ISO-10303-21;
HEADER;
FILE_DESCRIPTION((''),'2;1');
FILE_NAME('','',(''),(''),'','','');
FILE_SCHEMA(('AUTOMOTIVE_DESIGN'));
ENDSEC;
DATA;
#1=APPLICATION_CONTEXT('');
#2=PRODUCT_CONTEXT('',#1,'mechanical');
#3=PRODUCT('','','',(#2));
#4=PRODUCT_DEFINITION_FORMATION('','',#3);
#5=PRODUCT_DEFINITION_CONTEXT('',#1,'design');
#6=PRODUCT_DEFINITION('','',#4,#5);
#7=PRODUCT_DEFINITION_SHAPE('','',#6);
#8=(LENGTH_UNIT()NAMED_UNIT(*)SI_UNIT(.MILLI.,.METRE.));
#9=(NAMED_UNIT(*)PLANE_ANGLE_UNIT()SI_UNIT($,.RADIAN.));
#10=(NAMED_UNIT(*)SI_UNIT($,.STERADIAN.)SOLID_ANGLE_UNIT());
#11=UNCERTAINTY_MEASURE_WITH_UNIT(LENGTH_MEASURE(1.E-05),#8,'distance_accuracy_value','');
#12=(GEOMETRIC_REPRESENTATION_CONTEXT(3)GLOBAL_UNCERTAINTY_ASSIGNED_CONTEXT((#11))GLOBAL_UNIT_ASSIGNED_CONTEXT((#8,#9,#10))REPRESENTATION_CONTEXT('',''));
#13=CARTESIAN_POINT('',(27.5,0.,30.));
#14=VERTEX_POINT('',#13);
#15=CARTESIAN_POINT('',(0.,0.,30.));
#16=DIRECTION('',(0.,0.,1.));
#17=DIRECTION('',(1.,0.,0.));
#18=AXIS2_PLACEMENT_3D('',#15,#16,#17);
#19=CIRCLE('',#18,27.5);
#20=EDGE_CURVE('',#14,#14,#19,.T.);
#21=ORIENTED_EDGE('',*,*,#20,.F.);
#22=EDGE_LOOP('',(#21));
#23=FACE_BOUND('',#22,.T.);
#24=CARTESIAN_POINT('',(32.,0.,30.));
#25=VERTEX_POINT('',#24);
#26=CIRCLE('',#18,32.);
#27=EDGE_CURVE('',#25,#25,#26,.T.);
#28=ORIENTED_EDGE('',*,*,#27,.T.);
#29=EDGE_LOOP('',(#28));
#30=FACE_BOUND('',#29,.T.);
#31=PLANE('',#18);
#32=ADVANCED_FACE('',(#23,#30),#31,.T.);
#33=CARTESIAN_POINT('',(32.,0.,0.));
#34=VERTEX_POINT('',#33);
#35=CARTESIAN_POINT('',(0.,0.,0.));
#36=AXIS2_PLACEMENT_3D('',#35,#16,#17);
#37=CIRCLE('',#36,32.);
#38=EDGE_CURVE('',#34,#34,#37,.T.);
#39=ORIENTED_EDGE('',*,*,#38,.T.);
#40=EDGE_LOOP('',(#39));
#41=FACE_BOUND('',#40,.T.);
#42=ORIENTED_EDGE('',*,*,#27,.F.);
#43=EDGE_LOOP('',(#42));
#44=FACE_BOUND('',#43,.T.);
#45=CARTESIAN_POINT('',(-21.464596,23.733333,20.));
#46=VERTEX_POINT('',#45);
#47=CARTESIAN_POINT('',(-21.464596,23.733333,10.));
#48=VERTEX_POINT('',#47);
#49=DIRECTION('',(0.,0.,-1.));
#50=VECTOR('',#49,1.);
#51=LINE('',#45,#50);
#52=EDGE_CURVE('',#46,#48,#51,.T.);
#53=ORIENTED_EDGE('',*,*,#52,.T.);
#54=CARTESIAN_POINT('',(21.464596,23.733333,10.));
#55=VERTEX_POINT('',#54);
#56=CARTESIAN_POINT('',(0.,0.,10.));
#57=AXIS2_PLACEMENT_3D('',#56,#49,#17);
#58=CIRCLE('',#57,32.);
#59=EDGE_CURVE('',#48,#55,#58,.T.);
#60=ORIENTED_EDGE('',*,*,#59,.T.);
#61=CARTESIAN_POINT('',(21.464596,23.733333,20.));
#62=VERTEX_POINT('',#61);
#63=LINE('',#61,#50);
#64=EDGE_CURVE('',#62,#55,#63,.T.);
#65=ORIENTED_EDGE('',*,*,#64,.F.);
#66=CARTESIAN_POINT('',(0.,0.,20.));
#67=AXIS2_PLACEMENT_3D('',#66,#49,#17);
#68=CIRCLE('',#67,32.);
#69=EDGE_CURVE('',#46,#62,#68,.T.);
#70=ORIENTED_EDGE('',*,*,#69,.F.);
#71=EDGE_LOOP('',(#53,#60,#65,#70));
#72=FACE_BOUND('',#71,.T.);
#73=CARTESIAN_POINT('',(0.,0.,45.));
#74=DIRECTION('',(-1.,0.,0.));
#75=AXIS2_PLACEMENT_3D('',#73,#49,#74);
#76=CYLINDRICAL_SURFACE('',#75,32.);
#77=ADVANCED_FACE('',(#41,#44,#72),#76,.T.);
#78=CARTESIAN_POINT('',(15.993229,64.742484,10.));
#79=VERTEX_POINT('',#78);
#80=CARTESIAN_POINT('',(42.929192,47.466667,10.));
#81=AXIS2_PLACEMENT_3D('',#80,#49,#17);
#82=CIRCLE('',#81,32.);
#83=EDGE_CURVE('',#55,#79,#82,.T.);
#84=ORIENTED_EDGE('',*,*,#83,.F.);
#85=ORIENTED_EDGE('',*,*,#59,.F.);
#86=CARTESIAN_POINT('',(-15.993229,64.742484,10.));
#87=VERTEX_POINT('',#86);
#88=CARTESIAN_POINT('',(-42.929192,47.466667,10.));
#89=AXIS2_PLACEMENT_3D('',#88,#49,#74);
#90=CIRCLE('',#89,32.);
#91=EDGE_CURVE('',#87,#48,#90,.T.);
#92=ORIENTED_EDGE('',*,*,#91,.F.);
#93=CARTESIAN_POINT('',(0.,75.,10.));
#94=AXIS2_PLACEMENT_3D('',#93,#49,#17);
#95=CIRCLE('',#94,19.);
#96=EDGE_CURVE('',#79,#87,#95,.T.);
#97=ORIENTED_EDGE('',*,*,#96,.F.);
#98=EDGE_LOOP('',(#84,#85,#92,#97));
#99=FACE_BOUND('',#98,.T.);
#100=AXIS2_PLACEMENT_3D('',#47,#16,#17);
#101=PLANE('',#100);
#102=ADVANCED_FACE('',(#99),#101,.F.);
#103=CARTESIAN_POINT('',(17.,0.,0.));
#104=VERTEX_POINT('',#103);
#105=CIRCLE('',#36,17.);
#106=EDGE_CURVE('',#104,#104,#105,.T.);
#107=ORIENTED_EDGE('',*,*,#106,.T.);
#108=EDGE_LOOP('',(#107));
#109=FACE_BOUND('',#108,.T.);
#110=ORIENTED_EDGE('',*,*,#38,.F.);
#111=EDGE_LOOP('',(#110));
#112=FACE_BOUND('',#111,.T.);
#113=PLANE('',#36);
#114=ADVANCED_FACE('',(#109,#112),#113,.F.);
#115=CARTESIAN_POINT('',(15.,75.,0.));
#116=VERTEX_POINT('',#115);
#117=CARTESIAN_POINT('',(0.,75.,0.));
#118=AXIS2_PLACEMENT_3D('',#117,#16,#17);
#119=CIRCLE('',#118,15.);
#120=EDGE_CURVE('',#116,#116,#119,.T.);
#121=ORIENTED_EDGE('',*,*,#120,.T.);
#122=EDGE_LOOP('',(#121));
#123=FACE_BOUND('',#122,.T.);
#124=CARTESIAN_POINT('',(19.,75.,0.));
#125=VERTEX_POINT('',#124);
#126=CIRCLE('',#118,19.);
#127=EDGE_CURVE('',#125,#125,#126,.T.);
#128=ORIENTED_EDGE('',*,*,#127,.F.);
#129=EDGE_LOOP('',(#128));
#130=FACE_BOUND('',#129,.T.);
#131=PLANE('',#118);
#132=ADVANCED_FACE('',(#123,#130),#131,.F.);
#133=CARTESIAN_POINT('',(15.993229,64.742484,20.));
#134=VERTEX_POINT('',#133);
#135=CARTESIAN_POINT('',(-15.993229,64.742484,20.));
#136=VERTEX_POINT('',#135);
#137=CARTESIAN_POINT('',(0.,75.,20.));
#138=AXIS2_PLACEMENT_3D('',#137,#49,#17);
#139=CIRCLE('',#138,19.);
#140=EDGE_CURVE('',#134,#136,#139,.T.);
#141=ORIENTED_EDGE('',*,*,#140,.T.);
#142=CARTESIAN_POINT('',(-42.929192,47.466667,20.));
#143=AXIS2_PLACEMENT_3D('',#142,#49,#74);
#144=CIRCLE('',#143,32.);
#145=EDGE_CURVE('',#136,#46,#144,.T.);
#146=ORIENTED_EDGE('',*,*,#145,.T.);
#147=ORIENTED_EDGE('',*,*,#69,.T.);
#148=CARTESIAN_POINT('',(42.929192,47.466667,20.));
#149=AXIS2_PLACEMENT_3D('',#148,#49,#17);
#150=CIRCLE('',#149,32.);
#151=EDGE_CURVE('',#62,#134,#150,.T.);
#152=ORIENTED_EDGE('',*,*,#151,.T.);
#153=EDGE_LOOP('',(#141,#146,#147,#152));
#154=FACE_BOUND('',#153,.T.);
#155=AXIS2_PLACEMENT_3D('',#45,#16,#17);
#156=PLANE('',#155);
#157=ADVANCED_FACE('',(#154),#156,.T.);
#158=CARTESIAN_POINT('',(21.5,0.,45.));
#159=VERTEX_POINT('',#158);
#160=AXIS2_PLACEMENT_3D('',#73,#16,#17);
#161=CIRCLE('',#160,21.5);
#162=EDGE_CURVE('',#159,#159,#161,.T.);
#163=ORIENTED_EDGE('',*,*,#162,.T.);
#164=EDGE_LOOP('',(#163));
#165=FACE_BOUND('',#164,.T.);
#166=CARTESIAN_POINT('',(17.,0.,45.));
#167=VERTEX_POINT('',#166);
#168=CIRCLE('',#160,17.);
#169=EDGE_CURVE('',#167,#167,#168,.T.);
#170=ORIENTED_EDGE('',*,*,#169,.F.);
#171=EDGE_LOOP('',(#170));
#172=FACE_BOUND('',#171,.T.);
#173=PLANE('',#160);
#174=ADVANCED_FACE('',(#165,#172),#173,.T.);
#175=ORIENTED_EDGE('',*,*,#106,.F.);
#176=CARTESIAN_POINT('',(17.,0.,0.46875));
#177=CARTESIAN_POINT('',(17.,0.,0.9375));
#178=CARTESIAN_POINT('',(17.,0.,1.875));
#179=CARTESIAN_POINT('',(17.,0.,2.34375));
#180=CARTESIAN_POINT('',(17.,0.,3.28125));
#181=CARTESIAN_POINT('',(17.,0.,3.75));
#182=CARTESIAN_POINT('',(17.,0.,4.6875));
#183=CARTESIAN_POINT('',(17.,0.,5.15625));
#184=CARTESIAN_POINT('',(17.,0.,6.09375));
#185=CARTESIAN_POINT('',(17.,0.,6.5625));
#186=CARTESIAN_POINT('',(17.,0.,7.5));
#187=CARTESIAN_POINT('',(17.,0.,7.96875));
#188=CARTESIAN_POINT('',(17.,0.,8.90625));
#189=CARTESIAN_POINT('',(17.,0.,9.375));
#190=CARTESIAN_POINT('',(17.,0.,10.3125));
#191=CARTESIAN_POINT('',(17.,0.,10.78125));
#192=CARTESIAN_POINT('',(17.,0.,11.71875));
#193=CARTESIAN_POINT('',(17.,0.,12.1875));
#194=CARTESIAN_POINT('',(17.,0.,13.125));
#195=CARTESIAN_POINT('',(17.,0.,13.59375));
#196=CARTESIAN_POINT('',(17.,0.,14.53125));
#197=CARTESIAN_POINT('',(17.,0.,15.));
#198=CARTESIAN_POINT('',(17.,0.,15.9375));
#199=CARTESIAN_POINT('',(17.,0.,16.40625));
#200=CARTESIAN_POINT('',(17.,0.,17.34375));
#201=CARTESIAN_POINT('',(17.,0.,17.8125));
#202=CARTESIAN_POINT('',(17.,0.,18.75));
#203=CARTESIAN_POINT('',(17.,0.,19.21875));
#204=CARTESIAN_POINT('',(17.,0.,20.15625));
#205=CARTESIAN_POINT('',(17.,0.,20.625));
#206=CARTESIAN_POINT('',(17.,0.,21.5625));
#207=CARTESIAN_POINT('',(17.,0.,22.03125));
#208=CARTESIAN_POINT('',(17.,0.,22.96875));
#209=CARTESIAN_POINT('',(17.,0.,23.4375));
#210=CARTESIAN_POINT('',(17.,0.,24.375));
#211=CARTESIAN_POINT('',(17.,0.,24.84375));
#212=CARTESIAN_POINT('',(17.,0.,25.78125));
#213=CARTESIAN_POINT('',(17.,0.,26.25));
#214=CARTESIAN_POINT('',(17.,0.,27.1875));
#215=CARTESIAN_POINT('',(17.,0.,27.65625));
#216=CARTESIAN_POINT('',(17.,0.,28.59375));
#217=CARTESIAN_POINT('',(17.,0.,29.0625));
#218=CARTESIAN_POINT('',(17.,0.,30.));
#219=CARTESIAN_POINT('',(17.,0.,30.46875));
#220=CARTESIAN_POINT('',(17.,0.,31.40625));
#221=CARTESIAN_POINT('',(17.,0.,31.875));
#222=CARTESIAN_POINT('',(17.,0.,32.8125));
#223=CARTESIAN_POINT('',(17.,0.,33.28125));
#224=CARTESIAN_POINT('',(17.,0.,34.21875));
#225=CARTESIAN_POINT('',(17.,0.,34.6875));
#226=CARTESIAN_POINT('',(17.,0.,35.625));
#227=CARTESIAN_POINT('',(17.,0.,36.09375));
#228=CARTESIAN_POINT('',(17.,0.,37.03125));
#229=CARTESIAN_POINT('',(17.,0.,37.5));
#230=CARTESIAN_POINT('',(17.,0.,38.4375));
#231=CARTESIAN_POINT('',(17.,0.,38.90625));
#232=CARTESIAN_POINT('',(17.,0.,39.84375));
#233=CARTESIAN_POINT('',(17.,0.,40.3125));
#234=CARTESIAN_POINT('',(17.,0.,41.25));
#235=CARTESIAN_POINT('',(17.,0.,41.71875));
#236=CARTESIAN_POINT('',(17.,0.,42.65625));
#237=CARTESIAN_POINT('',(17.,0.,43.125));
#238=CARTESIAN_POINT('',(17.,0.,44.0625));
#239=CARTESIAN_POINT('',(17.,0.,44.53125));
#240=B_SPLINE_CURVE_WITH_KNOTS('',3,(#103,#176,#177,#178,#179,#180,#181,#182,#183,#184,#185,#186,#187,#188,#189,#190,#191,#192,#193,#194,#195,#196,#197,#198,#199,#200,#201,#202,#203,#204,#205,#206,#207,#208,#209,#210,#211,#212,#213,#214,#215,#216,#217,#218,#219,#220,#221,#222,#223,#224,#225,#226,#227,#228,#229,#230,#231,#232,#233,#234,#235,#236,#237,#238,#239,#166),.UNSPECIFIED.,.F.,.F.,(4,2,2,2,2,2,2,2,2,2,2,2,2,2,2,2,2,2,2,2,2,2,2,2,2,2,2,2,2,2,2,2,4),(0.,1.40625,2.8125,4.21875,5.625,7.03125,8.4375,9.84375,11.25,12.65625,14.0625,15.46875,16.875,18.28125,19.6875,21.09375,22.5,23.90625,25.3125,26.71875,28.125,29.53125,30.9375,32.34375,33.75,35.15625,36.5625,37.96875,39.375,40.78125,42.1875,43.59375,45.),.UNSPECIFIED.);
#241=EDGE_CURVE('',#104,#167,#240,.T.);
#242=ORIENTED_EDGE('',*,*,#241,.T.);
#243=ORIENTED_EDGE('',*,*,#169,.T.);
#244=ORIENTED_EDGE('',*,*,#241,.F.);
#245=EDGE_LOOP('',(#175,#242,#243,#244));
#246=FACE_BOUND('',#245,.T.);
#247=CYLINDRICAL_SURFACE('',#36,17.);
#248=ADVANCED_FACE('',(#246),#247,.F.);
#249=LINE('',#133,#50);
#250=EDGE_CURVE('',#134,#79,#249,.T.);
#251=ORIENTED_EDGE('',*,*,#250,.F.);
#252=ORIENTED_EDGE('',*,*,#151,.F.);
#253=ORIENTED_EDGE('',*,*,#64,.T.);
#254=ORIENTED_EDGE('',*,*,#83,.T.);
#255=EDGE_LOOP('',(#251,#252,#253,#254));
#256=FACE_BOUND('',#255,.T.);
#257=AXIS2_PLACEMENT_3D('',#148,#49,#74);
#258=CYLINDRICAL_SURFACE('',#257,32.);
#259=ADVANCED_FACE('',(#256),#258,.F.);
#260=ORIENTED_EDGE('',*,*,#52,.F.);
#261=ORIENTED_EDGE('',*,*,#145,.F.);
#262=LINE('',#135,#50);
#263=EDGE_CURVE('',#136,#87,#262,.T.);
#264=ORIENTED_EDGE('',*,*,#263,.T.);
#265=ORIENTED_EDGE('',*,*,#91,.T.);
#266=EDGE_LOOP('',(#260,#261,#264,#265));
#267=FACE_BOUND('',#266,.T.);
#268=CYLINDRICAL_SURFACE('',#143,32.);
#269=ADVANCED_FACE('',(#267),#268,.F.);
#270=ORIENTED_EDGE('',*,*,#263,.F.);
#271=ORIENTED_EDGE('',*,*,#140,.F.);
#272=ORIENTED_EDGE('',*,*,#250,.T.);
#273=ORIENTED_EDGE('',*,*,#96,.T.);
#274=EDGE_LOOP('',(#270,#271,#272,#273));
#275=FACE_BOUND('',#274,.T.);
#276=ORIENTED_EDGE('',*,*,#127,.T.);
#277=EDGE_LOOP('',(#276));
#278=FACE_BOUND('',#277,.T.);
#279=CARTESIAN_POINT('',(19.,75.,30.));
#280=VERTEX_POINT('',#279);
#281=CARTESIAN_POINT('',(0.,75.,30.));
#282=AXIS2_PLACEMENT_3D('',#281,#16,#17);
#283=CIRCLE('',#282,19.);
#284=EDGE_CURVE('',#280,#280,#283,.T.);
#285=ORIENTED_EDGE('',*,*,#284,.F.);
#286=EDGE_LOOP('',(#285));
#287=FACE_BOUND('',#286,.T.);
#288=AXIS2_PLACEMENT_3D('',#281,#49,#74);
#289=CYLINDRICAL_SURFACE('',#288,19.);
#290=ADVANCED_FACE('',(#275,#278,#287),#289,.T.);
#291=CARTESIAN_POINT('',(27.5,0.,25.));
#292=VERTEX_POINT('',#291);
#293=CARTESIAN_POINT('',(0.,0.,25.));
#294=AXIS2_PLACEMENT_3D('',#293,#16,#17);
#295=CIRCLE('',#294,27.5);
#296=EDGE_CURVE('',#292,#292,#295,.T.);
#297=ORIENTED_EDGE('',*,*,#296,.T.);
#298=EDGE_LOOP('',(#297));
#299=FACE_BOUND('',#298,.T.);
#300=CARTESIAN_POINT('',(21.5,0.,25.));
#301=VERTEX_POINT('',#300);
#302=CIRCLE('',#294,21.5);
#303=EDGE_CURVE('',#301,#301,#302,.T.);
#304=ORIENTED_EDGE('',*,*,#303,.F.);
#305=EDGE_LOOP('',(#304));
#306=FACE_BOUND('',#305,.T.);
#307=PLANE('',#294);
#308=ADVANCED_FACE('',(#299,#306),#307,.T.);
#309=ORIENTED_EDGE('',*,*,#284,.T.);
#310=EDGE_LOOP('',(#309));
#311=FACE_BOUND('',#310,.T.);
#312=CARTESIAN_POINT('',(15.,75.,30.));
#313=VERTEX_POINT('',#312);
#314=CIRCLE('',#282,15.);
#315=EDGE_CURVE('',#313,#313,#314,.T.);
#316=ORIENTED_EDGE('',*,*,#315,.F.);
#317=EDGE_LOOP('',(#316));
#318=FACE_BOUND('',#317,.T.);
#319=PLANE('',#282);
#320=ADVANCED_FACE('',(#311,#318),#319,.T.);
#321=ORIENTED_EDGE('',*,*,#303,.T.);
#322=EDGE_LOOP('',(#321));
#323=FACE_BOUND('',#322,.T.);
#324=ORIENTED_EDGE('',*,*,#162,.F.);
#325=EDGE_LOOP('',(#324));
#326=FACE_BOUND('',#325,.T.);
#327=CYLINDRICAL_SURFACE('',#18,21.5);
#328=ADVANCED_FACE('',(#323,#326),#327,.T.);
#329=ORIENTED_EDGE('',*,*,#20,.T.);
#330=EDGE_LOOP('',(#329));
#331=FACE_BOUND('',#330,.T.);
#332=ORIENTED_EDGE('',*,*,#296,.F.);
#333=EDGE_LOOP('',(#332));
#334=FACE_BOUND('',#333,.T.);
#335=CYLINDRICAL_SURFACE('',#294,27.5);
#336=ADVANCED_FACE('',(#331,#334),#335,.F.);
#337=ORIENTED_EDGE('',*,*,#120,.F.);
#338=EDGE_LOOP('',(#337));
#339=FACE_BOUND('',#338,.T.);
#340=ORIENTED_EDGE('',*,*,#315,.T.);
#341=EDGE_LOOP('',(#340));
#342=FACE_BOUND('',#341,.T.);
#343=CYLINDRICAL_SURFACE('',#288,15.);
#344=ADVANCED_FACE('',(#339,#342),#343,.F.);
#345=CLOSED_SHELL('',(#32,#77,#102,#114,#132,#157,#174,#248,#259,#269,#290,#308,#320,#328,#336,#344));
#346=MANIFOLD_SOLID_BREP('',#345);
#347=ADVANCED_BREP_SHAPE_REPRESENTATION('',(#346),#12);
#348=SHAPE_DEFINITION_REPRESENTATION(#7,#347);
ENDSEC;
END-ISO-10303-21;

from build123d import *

# Parameters (mm, degrees)
SKETCH1_R           = 32
BOSS_EXTRUDE3_DEPTH = 45
SKETCH4_R           = 17
CUT_EXTRUDE1_DEPTH  = 45
CUT_EXTRUDE2_START  = -15
SKETCH5_R           = 32
SKETCH5_R_2         = 21.5
CUT_EXTRUDE2_DEPTH  = 15
CUT_EXTRUDE3_START  = -5
SKETCH6_R           = 27.5
SKETCH6_R_2         = 21.5
CUT_EXTRUDE3_DEPTH  = 5
SKETCH7_R           = 19
SKETCH7_R_2         = 15
BOSS_EXTRUDE4_DEPTH = 30
BOSS_EXTRUDE5_START = 10
BOSS_EXTRUDE5_DEPTH = 10


with BuildPart() as part:
    # Sketch1 → Boss-Extrude3 (new body)
    with BuildSketch(Plane.XY):
        with Locations(Location((0, 0, 0), (0, 0, 180))):
            Circle(SKETCH1_R)
    extrude(amount=BOSS_EXTRUDE3_DEPTH)

    # Sketch4 → Cut-Extrude1 (cut)
    with BuildSketch(Plane.XY.offset(45)):
        Circle(SKETCH4_R)
    extrude(amount=-CUT_EXTRUDE1_DEPTH, mode=Mode.SUBTRACT)

    # Sketch5 → Cut-Extrude2 (cut)
    with BuildSketch(Plane.XY.offset(45).offset(CUT_EXTRUDE2_START)):
        with Locations(Location((0, 0, 0), (0, 0, 180))):
            Circle(SKETCH5_R)
        Circle(SKETCH5_R_2, mode=Mode.SUBTRACT)
    extrude(amount=CUT_EXTRUDE2_DEPTH, mode=Mode.SUBTRACT)

    # Sketch6 → Cut-Extrude3 (cut)
    with BuildSketch(Plane.XY.offset(30).offset(CUT_EXTRUDE3_START)):
        Circle(SKETCH6_R)
        Circle(SKETCH6_R_2, mode=Mode.SUBTRACT)
    extrude(amount=CUT_EXTRUDE3_DEPTH, mode=Mode.SUBTRACT)



with BuildPart() as body_2:
    # Sketch7 → Boss-Extrude4 (new body)
    with BuildSketch(Plane.XY):
        with Locations((0, 75)):
            Circle(SKETCH7_R)
        with Locations((0, 75)):
            Circle(SKETCH7_R_2, mode=Mode.SUBTRACT)
    extrude(amount=BOSS_EXTRUDE4_DEPTH)


with BuildPart() as part_1:
    add(part.part)

    add(body_2.part)  # Boss-Extrude5 merges body 2
    # Sketch8 → Boss-Extrude5 (add)
    with BuildSketch(Plane.XY.offset(BOSS_EXTRUDE5_START)):
        with BuildLine():
            ThreePointArc((15.993228521, 64.74248366), (11.210252348, 43.234782297), (21.464596173, 23.733333333))
            ThreePointArc((21.464596173, 23.733333333), (0, 32), (-21.464596173, 23.733333333))
            ThreePointArc((-21.464596173, 23.733333333), (-11.210252348, 43.234782297), (-15.993228521, 64.74248366))
            ThreePointArc((-15.993228521, 64.74248366), (0, 56), (15.993228521, 64.74248366))
        make_face()
    extrude(amount=BOSS_EXTRUDE5_DEPTH)


solid = part_1.part
